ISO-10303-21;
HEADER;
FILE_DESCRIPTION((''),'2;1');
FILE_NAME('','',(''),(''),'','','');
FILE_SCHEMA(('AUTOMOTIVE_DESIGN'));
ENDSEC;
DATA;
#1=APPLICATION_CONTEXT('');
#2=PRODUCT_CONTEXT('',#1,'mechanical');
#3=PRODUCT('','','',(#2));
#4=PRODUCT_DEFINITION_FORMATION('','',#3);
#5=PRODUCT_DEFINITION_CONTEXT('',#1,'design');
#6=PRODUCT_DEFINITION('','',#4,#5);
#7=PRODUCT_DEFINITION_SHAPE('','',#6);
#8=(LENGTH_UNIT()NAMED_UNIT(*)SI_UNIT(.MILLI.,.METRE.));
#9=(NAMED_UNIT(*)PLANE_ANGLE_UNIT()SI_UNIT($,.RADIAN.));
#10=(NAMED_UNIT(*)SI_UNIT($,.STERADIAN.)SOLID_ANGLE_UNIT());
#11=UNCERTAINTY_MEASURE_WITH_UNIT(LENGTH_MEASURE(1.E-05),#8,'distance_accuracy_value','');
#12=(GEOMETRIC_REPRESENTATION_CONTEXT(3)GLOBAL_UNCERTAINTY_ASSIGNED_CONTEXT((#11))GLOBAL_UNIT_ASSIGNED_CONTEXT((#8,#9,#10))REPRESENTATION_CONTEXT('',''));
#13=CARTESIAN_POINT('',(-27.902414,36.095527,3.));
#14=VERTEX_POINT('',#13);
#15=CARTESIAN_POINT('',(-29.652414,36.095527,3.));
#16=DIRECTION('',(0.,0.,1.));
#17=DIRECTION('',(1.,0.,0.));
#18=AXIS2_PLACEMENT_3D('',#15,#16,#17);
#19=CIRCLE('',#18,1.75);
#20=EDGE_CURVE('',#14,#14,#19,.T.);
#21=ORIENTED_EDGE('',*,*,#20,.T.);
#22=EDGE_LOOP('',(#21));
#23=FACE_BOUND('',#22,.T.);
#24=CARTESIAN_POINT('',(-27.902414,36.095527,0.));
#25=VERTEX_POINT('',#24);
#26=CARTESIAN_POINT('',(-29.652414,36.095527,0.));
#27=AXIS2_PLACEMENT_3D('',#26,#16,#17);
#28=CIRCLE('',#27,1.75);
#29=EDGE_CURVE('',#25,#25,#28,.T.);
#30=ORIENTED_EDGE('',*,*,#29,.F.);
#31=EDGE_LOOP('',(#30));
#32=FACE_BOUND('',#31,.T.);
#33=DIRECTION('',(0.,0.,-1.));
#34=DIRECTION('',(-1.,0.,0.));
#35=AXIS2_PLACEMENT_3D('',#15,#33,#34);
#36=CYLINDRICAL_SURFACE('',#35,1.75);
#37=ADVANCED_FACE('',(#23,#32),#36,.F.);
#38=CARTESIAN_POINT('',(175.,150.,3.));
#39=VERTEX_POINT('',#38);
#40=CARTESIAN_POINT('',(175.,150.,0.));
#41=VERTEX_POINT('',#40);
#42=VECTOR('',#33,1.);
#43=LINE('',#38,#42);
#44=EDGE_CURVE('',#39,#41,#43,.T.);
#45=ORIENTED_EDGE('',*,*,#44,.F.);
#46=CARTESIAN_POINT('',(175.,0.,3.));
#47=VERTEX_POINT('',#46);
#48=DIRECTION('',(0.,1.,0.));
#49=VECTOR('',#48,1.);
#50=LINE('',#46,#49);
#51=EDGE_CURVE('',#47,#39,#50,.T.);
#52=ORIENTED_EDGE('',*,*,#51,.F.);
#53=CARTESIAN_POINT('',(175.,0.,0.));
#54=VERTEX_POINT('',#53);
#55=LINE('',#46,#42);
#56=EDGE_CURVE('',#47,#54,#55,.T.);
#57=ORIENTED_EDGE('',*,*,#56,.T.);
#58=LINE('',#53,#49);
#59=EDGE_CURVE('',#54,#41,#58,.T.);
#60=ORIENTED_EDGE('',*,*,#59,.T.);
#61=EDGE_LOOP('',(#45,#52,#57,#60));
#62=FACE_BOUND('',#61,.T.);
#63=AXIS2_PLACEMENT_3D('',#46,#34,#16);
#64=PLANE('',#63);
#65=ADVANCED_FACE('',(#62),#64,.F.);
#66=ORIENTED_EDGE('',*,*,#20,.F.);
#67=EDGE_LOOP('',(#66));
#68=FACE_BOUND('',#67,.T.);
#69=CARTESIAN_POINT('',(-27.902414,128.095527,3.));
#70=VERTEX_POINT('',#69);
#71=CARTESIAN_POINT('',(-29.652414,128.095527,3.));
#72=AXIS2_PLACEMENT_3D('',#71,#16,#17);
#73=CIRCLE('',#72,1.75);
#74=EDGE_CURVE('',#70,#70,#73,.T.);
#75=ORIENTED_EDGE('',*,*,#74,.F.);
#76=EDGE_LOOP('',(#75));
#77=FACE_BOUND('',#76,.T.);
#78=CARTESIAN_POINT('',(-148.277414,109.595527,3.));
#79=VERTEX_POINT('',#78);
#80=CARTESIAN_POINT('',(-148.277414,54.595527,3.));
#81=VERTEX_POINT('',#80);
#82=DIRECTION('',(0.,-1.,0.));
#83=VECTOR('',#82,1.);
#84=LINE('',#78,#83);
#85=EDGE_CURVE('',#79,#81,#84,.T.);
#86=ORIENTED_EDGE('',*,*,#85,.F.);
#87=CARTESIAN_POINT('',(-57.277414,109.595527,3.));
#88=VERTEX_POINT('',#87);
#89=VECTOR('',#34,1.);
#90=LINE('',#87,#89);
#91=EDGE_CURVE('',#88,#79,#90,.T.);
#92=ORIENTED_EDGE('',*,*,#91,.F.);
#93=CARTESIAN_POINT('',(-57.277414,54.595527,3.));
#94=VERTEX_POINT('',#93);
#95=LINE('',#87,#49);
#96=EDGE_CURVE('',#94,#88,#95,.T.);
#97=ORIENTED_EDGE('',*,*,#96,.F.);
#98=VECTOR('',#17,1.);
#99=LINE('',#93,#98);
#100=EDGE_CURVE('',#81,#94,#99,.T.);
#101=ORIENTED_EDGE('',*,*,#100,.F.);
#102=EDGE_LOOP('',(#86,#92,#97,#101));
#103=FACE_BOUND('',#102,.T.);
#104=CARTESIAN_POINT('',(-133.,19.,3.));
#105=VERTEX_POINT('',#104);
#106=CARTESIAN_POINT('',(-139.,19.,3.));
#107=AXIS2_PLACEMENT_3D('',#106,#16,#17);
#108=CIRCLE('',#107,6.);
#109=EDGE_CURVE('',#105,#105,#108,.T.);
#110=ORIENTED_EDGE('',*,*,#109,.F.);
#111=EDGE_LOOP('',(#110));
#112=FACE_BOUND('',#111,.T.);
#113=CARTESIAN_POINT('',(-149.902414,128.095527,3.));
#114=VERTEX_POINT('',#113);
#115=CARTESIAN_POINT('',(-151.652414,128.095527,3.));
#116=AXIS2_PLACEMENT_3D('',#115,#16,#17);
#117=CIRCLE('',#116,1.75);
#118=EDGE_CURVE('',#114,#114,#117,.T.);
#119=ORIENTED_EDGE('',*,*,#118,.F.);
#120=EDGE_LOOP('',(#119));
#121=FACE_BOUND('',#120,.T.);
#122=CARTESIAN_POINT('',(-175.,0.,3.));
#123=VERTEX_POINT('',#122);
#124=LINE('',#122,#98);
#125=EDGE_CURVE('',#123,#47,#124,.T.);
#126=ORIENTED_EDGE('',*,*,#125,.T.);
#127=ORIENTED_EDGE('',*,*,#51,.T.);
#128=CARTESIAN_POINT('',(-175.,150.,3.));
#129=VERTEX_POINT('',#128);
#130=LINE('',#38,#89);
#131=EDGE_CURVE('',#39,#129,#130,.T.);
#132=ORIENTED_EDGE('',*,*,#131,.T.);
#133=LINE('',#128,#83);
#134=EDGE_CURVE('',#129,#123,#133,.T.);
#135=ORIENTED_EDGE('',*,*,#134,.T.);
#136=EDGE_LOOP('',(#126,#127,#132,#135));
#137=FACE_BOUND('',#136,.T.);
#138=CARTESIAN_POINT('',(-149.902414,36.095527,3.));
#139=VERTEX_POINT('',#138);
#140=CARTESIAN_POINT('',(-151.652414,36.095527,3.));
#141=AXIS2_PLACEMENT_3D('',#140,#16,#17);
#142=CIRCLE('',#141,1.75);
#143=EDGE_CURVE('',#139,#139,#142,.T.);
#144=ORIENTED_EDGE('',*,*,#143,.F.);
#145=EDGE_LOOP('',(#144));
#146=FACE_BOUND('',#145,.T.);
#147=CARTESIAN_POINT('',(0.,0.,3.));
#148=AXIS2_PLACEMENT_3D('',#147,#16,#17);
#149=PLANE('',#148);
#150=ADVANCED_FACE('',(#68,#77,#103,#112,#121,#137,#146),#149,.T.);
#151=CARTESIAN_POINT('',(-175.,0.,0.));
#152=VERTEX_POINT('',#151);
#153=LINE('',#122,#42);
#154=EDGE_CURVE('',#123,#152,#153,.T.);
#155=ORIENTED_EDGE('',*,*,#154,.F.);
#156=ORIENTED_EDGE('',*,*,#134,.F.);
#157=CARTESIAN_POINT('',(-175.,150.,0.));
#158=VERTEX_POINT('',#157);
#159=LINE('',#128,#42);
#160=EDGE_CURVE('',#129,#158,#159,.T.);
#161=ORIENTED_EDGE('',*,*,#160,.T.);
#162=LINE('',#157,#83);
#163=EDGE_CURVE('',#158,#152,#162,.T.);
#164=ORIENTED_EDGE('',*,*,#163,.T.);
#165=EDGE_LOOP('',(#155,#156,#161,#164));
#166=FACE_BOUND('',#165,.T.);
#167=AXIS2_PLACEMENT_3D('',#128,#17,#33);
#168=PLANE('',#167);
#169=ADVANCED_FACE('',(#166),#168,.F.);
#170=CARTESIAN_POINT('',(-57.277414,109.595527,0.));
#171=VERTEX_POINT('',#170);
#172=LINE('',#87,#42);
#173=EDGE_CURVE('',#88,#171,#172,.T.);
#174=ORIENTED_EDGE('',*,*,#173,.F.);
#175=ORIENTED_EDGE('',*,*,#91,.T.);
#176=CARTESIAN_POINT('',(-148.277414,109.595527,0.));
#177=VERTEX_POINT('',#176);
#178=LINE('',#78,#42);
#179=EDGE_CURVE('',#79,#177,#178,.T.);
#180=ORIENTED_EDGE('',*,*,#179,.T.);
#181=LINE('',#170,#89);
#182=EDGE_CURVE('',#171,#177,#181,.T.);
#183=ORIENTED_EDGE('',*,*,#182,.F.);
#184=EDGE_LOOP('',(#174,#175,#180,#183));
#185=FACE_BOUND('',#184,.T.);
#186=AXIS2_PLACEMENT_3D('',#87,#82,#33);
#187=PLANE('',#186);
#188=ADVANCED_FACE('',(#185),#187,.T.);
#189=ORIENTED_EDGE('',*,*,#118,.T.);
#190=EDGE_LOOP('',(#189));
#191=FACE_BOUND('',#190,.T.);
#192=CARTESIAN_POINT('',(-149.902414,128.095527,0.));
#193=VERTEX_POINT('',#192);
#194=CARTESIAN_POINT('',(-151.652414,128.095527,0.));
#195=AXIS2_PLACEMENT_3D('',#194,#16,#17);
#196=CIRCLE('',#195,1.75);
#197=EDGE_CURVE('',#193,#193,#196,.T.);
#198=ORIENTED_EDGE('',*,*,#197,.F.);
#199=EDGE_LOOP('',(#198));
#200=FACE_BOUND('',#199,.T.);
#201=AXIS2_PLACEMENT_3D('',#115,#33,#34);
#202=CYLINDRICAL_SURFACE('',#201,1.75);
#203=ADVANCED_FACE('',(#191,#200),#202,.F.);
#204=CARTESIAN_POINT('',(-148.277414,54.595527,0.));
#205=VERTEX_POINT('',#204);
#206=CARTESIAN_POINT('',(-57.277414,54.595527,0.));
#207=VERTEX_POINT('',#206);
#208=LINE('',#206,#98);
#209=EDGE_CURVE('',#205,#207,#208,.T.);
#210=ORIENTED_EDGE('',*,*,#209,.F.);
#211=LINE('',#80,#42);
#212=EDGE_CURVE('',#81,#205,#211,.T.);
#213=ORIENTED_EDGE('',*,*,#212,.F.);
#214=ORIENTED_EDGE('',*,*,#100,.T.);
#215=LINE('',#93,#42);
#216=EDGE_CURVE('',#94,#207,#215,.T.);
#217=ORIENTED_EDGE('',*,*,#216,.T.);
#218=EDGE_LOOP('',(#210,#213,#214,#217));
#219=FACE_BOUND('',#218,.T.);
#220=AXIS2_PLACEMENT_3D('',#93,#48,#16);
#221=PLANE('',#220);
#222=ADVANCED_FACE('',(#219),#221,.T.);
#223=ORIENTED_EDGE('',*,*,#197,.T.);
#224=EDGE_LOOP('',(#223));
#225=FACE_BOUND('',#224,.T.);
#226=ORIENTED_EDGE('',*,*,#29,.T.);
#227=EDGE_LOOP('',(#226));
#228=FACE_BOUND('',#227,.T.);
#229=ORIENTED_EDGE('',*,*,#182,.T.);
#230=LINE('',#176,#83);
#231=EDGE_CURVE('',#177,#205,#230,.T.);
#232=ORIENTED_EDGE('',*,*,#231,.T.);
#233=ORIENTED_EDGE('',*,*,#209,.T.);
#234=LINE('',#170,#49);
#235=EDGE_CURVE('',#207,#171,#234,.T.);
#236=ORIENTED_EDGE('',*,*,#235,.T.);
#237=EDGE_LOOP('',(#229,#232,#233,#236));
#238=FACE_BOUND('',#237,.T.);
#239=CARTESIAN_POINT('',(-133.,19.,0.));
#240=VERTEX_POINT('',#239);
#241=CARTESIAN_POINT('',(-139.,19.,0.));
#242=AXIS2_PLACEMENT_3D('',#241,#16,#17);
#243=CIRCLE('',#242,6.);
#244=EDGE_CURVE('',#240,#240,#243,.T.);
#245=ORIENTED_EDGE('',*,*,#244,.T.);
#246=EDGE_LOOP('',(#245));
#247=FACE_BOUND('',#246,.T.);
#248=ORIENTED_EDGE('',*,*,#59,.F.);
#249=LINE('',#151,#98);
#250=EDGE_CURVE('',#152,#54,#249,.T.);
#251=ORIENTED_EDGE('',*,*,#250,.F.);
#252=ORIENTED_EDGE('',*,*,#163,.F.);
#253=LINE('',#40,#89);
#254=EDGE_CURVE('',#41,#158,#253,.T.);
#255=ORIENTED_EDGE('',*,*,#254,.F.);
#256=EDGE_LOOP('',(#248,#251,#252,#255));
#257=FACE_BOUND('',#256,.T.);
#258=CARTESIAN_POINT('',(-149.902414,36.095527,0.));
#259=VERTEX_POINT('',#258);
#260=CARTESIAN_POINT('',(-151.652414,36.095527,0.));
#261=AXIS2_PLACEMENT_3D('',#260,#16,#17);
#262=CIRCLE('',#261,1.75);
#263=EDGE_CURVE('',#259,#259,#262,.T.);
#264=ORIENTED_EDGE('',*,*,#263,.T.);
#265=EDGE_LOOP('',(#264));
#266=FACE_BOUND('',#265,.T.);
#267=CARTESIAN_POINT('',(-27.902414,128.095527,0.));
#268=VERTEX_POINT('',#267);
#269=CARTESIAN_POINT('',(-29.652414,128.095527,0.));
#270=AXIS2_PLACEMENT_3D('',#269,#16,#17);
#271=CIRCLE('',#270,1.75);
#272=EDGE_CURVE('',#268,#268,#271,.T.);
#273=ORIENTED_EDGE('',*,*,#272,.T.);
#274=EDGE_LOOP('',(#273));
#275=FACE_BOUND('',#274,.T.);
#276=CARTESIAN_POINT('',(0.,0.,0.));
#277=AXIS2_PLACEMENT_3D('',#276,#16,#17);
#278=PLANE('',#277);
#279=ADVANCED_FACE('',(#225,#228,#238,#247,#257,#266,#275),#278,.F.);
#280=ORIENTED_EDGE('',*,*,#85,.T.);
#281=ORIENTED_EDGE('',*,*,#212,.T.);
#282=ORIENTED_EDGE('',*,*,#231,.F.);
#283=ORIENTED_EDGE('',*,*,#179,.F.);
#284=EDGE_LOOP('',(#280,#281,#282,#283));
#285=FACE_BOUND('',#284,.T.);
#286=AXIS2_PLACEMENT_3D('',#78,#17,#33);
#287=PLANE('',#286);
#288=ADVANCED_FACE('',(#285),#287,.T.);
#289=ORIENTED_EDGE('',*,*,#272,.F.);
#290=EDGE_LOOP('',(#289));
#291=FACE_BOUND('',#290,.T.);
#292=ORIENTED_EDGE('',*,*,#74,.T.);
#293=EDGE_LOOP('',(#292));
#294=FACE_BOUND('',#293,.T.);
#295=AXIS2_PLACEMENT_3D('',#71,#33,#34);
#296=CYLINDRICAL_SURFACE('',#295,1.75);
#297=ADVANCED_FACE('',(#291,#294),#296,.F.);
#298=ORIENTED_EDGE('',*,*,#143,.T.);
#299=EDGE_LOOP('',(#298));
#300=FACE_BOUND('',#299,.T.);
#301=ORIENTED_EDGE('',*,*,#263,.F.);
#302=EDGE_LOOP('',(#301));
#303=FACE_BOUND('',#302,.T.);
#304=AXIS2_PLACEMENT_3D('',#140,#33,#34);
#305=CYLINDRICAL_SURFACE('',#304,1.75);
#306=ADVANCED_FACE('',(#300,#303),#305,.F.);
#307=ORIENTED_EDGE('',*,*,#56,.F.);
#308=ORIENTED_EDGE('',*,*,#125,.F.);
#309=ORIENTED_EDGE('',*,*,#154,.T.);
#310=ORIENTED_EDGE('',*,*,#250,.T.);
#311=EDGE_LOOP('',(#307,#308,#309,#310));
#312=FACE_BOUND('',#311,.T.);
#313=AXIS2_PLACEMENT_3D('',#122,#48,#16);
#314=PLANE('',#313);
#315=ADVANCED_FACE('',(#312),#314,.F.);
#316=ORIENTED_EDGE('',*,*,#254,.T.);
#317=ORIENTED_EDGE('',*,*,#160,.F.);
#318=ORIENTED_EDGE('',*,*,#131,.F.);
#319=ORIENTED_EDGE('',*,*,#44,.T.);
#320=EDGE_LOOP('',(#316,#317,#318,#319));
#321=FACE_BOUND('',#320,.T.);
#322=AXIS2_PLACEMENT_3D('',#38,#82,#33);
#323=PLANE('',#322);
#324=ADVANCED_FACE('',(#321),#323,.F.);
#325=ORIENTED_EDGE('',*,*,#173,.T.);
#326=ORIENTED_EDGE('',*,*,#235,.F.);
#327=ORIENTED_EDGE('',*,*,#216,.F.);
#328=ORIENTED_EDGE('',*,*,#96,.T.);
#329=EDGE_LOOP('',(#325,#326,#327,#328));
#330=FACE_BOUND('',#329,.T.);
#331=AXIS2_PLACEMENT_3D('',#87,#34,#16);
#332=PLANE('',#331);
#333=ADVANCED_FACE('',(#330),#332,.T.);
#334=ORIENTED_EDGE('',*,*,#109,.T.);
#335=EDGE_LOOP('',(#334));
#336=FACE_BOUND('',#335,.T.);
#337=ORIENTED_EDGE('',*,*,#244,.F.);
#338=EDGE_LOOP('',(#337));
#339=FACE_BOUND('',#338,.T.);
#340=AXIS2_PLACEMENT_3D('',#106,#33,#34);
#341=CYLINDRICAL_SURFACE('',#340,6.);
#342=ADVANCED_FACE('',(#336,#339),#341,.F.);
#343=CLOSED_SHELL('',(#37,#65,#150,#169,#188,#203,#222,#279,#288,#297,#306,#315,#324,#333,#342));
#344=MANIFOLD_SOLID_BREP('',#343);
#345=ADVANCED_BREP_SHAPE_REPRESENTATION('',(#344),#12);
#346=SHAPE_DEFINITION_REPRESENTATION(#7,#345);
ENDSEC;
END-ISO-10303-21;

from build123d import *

# Parameters (mm, degrees)
SKETCH_1_W      = 350
SKETCH_1_H      = 150
SKETCH_1_R      = 1.75
SKETCH_1_R_2    = 6
SKETCH_1_W_2    = 91
SKETCH_1_H_2    = 55
EXTRUDE_1_DEPTH = 3


with BuildPart() as part:
    # 草图1 → 凸台-拉伸1 (new body)
    with BuildSketch(Plane.XY):
        with Locations((0, 75)):
            Rectangle(SKETCH_1_W, SKETCH_1_H)
        with Locations((-151.652414134, 128.095526692)):
            Circle(SKETCH_1_R, mode=Mode.SUBTRACT)
        with Locations((-29.652414134, 128.095526692)):
            Circle(SKETCH_1_R, mode=Mode.SUBTRACT)
        with Locations((-29.652414134, 36.095526692)):
            Circle(SKETCH_1_R, mode=Mode.SUBTRACT)
        with Locations((-151.652414134, 36.095526692)):
            Circle(SKETCH_1_R, mode=Mode.SUBTRACT)
        with Locations((-139, 19)):
            Circle(SKETCH_1_R_2, mode=Mode.SUBTRACT)
        with Locations((-102.777414134, 82.095526692)):
            Rectangle(SKETCH_1_W_2, SKETCH_1_H_2, mode=Mode.SUBTRACT)
    extrude(amount=EXTRUDE_1_DEPTH)


solid = part.part
